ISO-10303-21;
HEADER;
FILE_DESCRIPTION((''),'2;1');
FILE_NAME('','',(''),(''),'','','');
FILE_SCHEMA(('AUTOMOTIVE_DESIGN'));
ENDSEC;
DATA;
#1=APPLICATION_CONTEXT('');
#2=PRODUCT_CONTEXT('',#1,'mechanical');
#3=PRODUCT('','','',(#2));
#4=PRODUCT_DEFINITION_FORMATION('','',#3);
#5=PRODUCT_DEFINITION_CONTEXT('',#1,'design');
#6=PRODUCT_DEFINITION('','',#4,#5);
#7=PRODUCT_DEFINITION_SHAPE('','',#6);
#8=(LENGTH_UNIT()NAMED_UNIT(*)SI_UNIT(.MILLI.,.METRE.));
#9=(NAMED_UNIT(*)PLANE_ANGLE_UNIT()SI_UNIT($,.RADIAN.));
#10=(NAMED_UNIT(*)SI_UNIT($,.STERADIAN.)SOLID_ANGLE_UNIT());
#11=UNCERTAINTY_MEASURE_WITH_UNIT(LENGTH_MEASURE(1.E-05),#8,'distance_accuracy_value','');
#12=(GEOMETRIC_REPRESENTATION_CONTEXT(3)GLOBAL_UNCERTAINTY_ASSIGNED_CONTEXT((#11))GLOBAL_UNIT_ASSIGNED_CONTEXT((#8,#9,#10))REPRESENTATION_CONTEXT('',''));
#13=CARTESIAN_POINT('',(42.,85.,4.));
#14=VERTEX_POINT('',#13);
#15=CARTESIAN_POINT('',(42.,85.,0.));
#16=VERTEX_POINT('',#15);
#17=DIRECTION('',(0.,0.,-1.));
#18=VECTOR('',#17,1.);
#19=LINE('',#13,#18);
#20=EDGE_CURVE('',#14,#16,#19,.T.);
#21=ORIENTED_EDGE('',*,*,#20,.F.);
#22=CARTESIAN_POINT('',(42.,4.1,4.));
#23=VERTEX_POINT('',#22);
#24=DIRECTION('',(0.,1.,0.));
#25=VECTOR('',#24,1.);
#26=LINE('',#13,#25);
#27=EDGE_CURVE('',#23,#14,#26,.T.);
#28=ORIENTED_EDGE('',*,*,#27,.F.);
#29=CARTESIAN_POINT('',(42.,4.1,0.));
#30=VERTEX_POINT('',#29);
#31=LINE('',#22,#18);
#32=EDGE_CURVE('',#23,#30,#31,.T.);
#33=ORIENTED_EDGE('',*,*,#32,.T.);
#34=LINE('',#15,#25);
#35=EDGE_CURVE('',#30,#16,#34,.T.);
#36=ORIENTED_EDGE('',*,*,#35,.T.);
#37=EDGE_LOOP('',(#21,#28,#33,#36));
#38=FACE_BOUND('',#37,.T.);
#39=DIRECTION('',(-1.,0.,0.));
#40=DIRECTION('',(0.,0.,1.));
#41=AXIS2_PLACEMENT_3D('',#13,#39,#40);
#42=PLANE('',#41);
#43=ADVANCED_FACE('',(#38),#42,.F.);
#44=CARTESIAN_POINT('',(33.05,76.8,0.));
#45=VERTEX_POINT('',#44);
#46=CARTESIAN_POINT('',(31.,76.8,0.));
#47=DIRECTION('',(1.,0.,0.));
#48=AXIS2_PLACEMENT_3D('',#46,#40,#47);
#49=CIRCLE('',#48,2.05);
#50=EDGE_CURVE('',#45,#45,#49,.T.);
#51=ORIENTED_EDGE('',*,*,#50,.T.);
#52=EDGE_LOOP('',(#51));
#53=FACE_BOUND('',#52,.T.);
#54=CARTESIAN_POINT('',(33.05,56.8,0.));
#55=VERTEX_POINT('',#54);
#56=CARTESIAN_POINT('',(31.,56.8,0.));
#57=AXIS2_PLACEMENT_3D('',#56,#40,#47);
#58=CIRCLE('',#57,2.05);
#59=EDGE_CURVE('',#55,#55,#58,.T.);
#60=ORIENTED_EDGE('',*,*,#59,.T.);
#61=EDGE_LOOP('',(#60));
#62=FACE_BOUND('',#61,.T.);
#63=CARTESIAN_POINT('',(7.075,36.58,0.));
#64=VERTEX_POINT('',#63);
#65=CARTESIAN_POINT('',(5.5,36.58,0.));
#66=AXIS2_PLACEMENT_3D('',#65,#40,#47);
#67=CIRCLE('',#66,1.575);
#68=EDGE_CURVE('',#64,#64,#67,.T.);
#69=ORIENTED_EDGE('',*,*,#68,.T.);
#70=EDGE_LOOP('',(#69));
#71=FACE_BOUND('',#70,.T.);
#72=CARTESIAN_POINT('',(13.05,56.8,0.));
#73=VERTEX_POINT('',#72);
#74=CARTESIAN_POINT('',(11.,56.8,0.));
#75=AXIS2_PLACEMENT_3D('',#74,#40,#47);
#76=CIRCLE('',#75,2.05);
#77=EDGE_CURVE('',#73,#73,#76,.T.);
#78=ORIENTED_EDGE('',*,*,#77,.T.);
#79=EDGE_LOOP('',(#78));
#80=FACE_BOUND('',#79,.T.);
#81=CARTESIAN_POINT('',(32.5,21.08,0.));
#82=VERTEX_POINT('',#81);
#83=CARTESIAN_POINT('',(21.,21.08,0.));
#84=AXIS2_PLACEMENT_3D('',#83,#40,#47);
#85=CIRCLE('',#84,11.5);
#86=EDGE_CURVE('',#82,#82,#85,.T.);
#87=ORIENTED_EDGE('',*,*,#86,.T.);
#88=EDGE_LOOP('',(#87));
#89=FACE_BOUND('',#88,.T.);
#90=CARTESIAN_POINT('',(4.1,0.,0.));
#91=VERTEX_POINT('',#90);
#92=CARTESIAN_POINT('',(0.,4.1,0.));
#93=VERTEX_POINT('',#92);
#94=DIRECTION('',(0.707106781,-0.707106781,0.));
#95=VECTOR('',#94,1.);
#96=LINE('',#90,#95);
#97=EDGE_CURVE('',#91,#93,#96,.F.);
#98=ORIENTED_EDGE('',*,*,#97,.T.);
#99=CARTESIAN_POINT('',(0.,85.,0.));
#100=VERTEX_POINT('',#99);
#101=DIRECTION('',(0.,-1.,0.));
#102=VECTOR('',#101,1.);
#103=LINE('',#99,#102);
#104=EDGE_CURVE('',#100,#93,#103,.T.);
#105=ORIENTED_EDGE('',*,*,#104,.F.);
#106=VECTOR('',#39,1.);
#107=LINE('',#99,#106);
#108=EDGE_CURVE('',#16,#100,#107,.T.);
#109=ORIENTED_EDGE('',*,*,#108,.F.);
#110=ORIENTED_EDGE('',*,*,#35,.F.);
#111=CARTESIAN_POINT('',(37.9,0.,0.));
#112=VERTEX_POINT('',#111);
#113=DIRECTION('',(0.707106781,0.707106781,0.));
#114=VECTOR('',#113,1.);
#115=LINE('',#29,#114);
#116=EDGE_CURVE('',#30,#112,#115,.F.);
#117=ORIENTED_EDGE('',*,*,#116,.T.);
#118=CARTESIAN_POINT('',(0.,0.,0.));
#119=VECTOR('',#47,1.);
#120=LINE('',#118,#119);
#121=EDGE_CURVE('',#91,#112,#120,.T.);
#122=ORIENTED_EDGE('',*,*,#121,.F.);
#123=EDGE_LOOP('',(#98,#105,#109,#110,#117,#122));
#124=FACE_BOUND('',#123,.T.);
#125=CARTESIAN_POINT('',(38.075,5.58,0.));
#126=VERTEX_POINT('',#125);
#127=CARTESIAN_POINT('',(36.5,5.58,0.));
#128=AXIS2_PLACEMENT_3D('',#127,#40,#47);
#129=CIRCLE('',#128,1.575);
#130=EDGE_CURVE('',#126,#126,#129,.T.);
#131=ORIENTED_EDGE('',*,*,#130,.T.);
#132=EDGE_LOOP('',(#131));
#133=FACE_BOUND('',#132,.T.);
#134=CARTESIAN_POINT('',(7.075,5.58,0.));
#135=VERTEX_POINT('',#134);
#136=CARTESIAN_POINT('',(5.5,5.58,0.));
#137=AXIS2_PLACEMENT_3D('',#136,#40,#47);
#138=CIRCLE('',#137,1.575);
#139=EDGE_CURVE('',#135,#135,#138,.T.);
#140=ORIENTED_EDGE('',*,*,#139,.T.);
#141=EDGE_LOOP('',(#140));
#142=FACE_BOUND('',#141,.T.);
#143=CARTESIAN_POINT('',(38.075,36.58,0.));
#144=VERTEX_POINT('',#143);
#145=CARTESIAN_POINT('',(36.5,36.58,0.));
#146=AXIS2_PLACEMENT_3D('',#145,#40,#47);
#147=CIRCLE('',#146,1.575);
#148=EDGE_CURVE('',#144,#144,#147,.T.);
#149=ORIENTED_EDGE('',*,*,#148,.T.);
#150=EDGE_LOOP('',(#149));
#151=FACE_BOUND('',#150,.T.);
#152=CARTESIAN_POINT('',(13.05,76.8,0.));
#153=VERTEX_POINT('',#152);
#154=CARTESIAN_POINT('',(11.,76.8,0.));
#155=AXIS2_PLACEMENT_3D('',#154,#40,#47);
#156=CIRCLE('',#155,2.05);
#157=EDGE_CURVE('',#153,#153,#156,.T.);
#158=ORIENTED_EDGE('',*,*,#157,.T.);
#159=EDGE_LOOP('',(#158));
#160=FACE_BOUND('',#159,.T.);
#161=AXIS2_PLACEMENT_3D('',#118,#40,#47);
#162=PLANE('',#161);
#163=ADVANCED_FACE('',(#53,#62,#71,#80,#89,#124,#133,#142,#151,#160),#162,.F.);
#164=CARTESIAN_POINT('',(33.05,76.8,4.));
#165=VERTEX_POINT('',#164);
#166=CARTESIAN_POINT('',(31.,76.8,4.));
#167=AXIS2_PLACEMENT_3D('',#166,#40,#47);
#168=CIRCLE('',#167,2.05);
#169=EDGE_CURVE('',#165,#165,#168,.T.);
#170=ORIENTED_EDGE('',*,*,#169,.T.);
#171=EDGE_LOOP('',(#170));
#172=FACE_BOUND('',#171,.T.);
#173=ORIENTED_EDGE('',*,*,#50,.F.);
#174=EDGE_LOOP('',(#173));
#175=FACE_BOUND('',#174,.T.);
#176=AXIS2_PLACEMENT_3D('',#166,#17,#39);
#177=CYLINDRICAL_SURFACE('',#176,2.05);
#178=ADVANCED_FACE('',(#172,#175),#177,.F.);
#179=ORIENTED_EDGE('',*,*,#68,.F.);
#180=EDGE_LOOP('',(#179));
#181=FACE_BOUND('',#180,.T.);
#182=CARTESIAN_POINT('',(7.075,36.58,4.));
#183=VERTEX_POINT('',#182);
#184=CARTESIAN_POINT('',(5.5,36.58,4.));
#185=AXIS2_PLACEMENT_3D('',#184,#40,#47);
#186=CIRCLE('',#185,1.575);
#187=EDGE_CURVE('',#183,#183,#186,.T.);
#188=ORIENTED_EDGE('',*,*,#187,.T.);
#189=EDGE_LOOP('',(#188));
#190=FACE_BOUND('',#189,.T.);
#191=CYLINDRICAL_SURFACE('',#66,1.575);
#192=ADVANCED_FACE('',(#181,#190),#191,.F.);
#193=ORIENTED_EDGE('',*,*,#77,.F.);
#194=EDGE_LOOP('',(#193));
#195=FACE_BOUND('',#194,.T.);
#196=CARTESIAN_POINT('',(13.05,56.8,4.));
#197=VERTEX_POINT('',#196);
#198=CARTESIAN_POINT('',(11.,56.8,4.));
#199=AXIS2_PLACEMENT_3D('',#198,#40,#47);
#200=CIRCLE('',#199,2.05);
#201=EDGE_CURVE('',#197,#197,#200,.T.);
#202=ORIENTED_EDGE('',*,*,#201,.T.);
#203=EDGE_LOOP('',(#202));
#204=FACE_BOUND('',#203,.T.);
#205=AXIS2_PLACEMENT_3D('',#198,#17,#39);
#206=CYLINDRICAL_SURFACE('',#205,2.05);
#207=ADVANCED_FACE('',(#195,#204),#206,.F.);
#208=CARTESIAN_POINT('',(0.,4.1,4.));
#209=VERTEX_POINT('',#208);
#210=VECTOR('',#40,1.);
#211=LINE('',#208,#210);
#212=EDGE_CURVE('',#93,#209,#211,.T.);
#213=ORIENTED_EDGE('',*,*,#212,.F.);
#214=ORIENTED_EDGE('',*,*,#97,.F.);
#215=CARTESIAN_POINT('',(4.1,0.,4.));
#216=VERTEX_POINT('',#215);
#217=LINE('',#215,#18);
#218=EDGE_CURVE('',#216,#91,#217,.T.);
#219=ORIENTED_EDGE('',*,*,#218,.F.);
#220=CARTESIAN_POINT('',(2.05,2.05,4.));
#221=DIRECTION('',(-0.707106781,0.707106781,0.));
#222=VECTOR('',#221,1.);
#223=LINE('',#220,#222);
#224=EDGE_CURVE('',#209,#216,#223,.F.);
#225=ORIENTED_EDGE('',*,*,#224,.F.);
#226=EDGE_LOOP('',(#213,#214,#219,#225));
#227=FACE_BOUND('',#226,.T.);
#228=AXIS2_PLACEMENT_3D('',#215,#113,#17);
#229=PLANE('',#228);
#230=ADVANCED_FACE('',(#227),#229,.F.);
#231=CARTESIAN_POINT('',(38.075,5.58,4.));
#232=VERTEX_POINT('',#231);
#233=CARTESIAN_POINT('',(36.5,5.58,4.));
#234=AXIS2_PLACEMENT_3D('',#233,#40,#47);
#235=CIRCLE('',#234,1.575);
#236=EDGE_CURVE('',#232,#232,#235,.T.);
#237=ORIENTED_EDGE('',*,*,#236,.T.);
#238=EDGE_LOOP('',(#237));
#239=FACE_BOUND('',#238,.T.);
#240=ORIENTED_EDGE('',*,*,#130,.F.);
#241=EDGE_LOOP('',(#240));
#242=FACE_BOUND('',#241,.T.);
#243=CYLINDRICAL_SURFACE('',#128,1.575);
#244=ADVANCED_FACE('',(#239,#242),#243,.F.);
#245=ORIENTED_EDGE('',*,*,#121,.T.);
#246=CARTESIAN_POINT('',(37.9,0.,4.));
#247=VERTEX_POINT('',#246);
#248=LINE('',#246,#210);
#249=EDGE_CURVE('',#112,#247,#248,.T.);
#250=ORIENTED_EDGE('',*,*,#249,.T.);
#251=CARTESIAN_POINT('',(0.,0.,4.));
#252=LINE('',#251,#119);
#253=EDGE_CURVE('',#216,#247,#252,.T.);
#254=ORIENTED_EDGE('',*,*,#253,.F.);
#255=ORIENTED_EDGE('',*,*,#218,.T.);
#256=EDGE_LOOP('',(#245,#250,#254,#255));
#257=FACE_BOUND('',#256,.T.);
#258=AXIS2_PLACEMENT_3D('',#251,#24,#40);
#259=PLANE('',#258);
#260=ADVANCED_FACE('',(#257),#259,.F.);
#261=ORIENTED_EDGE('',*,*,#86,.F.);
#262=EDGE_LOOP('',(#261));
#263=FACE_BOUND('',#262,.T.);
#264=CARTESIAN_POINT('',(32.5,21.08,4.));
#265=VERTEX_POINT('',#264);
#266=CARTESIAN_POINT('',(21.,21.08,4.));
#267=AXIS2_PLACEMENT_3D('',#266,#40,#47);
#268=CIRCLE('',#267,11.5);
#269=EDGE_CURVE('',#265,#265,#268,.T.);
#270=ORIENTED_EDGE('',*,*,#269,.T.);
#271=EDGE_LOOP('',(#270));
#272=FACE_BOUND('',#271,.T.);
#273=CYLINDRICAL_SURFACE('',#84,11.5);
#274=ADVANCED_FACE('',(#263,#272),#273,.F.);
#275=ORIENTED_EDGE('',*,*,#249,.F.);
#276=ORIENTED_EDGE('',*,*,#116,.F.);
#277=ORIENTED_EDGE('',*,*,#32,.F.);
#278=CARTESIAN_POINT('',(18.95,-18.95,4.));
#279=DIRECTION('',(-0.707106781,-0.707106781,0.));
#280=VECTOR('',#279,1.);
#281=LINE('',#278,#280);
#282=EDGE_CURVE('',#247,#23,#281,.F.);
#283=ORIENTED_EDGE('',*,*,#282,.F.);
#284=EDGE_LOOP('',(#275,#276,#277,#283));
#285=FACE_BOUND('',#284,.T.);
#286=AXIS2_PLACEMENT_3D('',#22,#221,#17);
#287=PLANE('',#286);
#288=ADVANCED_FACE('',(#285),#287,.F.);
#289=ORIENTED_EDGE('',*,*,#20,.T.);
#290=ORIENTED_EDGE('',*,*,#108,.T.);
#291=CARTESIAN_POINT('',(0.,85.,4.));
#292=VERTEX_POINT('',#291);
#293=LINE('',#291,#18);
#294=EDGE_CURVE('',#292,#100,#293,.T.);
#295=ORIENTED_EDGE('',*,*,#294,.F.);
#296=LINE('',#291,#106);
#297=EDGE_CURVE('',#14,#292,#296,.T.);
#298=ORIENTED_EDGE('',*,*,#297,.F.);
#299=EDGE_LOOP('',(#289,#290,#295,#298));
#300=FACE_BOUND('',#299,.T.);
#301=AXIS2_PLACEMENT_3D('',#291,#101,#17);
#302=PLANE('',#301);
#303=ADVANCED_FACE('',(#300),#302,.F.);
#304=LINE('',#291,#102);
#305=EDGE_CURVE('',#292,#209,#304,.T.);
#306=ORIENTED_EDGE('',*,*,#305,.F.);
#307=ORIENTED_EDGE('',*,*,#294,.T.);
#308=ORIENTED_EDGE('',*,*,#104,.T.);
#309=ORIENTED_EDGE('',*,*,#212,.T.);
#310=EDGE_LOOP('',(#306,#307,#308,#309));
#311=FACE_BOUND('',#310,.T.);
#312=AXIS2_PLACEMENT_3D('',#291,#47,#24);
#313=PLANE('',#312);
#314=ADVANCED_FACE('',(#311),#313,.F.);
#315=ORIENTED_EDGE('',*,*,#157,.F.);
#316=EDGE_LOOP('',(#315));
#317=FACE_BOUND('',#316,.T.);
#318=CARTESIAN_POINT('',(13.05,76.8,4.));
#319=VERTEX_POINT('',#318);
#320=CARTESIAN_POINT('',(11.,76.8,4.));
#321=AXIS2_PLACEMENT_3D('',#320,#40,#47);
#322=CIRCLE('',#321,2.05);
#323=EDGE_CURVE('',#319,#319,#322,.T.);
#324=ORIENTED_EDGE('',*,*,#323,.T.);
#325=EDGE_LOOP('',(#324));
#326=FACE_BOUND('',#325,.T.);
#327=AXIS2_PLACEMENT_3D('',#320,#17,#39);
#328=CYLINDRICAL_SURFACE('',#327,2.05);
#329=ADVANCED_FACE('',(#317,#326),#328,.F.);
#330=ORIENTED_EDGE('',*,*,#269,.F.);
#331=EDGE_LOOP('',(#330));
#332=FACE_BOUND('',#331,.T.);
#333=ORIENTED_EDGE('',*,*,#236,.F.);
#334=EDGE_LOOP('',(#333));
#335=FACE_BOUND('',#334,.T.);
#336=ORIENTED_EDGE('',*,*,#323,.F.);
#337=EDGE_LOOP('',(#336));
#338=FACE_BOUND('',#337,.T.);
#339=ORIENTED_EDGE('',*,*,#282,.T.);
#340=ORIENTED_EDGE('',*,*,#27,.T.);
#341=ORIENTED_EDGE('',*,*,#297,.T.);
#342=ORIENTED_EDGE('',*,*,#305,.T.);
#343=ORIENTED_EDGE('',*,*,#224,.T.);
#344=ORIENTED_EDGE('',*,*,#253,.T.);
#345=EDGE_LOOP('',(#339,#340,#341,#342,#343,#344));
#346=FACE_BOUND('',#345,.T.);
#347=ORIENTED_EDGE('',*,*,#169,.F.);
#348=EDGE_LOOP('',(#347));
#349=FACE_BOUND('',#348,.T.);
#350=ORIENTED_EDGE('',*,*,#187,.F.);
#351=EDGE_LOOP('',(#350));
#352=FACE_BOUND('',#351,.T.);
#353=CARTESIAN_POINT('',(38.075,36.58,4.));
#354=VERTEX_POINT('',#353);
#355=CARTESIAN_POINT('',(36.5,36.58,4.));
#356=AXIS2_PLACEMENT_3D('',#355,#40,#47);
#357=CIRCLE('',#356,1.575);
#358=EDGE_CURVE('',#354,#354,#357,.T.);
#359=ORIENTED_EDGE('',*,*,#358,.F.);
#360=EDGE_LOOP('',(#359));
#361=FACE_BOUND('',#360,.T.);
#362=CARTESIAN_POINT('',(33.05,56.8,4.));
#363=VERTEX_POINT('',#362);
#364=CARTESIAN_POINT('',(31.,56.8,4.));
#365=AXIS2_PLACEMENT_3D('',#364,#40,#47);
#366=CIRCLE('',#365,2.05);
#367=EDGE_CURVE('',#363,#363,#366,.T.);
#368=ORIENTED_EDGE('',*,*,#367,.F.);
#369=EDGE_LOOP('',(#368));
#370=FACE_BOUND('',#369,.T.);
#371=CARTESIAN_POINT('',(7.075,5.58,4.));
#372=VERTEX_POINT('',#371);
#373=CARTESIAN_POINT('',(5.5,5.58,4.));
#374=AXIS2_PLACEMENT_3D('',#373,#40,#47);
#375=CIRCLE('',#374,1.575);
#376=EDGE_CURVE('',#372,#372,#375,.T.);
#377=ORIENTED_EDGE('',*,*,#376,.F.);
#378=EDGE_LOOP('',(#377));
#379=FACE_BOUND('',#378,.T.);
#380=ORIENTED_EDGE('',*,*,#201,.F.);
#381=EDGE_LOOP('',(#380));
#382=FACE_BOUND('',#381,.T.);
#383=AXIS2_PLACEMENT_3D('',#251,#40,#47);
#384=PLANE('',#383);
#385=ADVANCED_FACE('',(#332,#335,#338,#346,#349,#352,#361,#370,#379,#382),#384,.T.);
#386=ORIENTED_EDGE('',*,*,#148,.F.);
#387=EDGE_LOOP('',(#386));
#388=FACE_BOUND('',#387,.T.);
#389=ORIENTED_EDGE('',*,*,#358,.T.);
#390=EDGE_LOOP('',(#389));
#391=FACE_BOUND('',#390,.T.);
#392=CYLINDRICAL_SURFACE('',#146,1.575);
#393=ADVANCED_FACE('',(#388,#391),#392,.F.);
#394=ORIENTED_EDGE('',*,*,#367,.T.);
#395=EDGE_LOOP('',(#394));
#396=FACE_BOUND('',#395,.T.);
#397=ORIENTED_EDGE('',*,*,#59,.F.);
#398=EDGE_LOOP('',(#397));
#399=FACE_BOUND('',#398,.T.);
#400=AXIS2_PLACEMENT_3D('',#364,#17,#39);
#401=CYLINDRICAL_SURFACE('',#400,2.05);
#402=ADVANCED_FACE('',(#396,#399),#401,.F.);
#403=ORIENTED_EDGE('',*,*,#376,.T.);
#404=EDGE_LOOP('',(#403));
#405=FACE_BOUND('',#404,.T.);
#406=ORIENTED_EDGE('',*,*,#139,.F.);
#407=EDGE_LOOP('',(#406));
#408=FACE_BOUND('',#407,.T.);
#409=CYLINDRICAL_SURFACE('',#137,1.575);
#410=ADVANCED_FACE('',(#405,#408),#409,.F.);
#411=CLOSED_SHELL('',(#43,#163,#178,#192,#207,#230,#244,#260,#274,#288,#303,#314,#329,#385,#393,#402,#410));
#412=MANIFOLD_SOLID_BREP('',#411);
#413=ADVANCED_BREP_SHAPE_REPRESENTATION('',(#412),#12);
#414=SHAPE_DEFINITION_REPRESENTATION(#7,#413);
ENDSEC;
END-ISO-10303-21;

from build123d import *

# Parameters (mm, degrees)
CROQUIS1_W              = 42
CROQUIS1_H              = 85
CROQUIS1_R              = 2.05
CROQUIS1_R_2            = 2.55
SALIENTE_EXTRUIR1_DEPTH = 4
CROQUIS5_R              = 11.5
CROQUIS5_R_2            = 1.575
CORTAR_EXTRUIR2_DEPTH   = 5
CHAFL_N1_SIZE           = 4.1


with BuildPart() as part:
    # Croquis1 → Saliente-Extruir1 (new body)
    with BuildSketch(Plane.XY):
        with Locations((21, 42.5)):
            Rectangle(CROQUIS1_W, CROQUIS1_H)
        with Locations((11, 76.8)):
            Circle(CROQUIS1_R, mode=Mode.SUBTRACT)
        with Locations((31, 76.8)):
            Circle(CROQUIS1_R, mode=Mode.SUBTRACT)
        with Locations((31, 56.8)):
            Circle(CROQUIS1_R, mode=Mode.SUBTRACT)
        with Locations((11, 56.8)):
            Circle(CROQUIS1_R, mode=Mode.SUBTRACT)
        with Locations((21, 21.08)):
            Circle(CROQUIS1_R_2, mode=Mode.SUBTRACT)
    extrude(amount=SALIENTE_EXTRUIR1_DEPTH)

    # Croquis5 → Cortar-Extruir2 (cut, through all)
    with BuildSketch(Plane.XY.offset(4)):
        with Locations((21, 21.08)):
            Circle(CROQUIS5_R)
        with Locations((5.5, 36.58)):
            Circle(CROQUIS5_R_2)
        with Locations((36.5, 36.58)):
            Circle(CROQUIS5_R_2)
        with Locations((36.5, 5.58)):
            Circle(CROQUIS5_R_2)
        with Locations((5.5, 5.58)):
            Circle(CROQUIS5_R_2)
    extrude(amount=-CORTAR_EXTRUIR2_DEPTH, mode=Mode.SUBTRACT)

    # Chaflán1
    chafl_n1_edges = [part.edges().sort_by_distance(p)[0] for p in [
        (42, 0, 2),
        (0, 0, 2),
    ]]
    chamfer(chafl_n1_edges, length=CHAFL_N1_SIZE)


solid = part.part
